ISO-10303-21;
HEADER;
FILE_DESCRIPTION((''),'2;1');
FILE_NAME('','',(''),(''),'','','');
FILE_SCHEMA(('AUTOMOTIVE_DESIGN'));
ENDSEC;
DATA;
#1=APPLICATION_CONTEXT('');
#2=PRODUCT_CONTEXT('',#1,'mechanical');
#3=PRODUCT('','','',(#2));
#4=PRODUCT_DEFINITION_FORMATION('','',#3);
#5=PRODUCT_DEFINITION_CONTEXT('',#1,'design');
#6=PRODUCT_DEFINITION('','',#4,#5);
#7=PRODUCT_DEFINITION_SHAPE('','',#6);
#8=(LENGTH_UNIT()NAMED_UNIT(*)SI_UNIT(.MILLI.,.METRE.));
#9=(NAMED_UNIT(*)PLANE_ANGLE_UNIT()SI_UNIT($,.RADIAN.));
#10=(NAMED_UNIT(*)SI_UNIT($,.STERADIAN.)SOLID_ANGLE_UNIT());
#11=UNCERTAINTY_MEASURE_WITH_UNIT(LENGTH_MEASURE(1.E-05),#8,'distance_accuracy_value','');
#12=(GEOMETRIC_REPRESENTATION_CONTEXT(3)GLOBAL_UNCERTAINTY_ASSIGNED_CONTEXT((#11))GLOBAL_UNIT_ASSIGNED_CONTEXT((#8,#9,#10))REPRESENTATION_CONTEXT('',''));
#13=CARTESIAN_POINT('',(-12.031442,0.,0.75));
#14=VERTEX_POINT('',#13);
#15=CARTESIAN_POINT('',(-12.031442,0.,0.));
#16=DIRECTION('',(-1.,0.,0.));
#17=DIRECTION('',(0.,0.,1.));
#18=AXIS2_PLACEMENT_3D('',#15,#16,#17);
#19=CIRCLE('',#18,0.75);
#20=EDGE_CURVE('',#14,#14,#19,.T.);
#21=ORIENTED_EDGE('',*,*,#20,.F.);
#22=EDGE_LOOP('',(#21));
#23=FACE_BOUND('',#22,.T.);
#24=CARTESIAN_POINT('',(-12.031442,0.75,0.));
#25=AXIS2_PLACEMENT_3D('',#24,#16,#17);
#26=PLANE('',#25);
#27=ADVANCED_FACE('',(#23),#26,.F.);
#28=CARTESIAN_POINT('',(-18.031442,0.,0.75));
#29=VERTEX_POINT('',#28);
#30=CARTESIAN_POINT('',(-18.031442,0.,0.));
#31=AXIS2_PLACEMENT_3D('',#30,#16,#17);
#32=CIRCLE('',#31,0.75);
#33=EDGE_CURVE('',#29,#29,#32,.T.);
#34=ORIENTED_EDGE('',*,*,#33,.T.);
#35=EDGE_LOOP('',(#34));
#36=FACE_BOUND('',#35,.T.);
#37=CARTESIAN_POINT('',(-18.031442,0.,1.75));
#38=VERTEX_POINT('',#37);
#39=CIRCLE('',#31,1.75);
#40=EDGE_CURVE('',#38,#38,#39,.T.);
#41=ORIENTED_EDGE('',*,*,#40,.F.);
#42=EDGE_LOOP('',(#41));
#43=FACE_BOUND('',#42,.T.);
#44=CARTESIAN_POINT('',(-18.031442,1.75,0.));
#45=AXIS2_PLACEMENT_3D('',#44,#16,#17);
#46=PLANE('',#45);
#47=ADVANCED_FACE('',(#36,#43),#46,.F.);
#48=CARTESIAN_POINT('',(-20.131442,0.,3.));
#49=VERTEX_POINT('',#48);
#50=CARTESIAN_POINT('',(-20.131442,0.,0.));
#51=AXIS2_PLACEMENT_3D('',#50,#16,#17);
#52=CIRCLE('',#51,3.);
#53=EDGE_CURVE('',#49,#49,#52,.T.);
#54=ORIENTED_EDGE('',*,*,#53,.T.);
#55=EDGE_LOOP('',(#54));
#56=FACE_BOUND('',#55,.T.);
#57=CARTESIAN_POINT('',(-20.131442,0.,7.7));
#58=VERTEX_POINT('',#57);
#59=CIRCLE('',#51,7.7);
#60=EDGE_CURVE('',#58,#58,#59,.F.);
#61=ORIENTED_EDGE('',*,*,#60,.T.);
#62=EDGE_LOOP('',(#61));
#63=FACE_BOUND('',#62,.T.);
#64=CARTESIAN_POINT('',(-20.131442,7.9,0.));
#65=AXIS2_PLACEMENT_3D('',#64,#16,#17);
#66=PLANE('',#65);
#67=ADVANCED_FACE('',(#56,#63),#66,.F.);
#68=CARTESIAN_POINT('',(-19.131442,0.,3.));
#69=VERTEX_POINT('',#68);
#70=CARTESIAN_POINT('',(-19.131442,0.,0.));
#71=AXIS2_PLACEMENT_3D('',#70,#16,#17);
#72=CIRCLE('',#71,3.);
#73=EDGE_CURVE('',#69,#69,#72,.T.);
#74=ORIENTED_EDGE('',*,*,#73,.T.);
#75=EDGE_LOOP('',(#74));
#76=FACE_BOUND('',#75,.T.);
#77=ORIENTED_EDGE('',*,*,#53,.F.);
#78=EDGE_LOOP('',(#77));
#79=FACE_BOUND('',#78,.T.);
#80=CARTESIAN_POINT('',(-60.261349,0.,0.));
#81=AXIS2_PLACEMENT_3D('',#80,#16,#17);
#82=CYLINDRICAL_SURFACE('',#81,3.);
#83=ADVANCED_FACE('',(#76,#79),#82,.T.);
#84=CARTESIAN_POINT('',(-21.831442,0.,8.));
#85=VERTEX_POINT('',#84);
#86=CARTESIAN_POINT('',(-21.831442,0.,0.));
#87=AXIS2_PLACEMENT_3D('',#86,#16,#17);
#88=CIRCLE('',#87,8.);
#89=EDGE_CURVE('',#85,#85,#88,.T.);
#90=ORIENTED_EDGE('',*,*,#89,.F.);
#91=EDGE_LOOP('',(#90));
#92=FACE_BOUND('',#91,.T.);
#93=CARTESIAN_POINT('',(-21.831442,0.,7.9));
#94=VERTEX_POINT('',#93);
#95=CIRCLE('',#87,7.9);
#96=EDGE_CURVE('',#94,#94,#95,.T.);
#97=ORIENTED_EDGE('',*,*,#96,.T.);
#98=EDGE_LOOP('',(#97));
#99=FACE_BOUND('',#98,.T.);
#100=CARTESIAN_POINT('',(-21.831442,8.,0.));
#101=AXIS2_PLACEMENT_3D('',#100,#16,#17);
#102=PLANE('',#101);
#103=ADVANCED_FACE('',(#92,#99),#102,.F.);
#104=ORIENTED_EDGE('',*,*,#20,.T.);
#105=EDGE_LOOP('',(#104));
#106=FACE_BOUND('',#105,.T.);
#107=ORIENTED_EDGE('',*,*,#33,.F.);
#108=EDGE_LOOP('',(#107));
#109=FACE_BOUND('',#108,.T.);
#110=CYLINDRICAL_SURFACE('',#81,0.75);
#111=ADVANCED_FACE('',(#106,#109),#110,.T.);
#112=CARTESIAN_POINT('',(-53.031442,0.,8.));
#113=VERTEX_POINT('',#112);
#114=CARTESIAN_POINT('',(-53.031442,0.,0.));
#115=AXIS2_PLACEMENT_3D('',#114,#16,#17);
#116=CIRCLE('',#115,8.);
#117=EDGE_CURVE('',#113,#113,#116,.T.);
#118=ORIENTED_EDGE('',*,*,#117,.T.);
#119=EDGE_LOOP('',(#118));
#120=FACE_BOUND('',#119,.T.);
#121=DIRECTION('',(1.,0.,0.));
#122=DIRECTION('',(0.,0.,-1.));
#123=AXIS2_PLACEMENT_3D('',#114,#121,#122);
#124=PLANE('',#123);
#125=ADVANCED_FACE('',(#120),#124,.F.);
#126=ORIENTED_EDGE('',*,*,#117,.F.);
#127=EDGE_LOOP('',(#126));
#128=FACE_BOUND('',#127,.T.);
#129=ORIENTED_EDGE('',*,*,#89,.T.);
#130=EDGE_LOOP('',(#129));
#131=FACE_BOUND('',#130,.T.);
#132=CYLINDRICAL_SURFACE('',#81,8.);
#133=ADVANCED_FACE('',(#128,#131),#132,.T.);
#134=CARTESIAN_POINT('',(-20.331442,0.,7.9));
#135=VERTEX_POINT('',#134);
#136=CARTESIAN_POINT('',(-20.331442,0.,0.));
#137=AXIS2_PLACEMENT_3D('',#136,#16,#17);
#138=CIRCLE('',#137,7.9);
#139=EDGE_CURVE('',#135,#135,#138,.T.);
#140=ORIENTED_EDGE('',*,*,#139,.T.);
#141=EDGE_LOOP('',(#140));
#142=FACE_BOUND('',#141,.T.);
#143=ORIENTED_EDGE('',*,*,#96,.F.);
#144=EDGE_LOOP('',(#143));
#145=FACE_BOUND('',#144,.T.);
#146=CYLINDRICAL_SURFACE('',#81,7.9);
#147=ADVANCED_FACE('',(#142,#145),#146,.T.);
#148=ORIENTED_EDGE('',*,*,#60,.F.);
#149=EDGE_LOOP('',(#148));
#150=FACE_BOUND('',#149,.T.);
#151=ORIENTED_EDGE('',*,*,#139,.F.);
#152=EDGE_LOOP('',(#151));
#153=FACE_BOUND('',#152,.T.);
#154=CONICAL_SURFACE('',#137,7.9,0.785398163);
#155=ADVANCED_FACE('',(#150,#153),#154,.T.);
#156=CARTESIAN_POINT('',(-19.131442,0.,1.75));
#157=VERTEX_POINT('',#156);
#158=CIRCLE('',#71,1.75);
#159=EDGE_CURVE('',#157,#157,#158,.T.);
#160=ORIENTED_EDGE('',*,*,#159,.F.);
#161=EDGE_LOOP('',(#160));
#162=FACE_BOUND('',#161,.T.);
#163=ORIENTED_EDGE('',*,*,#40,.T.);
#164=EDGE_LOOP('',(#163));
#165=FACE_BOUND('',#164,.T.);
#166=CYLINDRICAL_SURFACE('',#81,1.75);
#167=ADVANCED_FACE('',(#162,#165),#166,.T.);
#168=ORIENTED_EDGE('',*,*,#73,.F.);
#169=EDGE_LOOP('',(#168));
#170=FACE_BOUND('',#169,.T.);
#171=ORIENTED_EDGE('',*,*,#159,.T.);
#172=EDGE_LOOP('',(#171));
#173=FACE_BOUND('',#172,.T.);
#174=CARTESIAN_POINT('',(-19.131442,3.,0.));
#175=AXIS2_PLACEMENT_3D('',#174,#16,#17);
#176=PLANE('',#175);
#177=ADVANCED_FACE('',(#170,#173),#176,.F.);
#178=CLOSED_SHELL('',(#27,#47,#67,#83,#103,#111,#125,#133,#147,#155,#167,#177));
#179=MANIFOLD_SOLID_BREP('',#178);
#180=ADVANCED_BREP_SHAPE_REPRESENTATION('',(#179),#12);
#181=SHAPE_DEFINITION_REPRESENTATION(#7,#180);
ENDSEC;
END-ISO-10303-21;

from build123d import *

# Parameters (mm, degrees)
CHANFREIN1_SIZE = 0.2


with BuildPart() as part:
    # Esquisse1 → Révolution1 (revolve)
    with BuildSketch(Plane.XY, mode=Mode.PRIVATE) as r_volution1_sk:
        Polygon((-53.031441654, 0), (-53.031441654, 8), (-21.831441654, 8), (-21.831441654, 7.9), (-20.131441654, 7.9), (-20.131441654, 3), (-19.131441654, 3), (-19.131441654, 1.75), (-18.031441654, 1.75), (-18.031441654, 0.75), (-12.031441654, 0.75), (-12.031441654, 0), align=None)
    revolve(r_volution1_sk.sketch.rotate(Axis((-60.261349275, 0, 0), (1, 0, 0)), 90), axis=Axis((-60.261349275, 0, 0), (1, 0, 0)))

    # Chanfrein1
    chanfrein1_edges = [part.edges().sort_by_distance(p)[0] for p in [
        (-20.131441654, 0, -7.9),
    ]]
    chamfer(chanfrein1_edges, length=CHANFREIN1_SIZE)


solid = part.part
